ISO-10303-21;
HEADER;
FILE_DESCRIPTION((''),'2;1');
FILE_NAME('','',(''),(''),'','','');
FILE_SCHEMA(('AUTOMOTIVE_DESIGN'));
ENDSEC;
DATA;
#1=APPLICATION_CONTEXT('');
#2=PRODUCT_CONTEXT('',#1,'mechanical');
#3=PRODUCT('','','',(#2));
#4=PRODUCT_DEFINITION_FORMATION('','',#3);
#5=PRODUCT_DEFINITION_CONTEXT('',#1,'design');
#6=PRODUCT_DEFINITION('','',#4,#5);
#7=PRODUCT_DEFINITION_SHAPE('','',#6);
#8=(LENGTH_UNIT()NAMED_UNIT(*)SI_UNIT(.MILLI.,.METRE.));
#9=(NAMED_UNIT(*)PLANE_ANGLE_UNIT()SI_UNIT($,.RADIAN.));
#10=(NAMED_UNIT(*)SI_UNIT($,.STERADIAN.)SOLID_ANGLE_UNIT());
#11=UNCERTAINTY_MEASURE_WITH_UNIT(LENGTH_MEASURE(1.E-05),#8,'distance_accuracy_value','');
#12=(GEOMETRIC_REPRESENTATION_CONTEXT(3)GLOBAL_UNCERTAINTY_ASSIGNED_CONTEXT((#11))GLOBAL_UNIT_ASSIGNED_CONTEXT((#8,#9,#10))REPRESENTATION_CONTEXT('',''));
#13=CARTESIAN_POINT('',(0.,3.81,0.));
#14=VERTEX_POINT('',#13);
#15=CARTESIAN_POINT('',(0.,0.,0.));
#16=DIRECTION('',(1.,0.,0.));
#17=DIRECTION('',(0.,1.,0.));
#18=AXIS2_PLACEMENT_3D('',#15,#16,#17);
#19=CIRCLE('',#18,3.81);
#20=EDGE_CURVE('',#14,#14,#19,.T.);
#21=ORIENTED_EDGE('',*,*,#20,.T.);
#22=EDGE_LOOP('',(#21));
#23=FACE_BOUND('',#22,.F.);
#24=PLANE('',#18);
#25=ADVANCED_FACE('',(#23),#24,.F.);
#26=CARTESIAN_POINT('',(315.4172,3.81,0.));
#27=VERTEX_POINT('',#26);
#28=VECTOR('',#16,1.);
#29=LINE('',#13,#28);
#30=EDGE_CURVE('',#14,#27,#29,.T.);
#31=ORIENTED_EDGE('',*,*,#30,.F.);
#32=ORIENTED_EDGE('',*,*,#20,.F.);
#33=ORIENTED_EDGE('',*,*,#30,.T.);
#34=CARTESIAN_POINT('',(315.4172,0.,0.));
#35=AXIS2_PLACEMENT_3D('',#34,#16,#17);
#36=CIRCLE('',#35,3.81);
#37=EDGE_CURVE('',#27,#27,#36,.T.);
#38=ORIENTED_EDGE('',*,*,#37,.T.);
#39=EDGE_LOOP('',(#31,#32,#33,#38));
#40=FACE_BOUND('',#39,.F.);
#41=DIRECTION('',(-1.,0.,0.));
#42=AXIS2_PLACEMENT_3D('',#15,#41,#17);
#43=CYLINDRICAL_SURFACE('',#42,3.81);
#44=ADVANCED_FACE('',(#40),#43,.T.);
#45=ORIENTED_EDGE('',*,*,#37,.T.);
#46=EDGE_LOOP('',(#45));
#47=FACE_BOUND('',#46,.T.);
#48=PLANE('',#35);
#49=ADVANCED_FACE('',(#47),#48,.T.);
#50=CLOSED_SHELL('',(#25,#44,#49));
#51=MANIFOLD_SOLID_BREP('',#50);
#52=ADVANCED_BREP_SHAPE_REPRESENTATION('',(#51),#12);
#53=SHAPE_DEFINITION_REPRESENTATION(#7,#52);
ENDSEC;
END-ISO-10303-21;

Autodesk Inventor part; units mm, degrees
ref_plane "YZ Plane" through (0, 0, 0) normal (1, 0, 0) x (0, 1, 0)
ref_plane "XZ Plane" through (0, 0, 0) normal (0, 1, 0) x (-1, 0, 0)
ref_plane "XY Plane" through (0, 0, 0) normal (0, 0, 1) x (1, 0, 0)
sketch "Sketch1" plane through (0, 0, 0) normal (1, 0, 0) x (0, 1, 0)
  circle A0 centre (0, 0) radius 3.81
  dimension "d0" = 7.62
extrude "Extrusion1" add sketch "Sketch1" along normal blind 315.4172
properties part number "barre horizontaleipt" material "PAEK Plastic"
